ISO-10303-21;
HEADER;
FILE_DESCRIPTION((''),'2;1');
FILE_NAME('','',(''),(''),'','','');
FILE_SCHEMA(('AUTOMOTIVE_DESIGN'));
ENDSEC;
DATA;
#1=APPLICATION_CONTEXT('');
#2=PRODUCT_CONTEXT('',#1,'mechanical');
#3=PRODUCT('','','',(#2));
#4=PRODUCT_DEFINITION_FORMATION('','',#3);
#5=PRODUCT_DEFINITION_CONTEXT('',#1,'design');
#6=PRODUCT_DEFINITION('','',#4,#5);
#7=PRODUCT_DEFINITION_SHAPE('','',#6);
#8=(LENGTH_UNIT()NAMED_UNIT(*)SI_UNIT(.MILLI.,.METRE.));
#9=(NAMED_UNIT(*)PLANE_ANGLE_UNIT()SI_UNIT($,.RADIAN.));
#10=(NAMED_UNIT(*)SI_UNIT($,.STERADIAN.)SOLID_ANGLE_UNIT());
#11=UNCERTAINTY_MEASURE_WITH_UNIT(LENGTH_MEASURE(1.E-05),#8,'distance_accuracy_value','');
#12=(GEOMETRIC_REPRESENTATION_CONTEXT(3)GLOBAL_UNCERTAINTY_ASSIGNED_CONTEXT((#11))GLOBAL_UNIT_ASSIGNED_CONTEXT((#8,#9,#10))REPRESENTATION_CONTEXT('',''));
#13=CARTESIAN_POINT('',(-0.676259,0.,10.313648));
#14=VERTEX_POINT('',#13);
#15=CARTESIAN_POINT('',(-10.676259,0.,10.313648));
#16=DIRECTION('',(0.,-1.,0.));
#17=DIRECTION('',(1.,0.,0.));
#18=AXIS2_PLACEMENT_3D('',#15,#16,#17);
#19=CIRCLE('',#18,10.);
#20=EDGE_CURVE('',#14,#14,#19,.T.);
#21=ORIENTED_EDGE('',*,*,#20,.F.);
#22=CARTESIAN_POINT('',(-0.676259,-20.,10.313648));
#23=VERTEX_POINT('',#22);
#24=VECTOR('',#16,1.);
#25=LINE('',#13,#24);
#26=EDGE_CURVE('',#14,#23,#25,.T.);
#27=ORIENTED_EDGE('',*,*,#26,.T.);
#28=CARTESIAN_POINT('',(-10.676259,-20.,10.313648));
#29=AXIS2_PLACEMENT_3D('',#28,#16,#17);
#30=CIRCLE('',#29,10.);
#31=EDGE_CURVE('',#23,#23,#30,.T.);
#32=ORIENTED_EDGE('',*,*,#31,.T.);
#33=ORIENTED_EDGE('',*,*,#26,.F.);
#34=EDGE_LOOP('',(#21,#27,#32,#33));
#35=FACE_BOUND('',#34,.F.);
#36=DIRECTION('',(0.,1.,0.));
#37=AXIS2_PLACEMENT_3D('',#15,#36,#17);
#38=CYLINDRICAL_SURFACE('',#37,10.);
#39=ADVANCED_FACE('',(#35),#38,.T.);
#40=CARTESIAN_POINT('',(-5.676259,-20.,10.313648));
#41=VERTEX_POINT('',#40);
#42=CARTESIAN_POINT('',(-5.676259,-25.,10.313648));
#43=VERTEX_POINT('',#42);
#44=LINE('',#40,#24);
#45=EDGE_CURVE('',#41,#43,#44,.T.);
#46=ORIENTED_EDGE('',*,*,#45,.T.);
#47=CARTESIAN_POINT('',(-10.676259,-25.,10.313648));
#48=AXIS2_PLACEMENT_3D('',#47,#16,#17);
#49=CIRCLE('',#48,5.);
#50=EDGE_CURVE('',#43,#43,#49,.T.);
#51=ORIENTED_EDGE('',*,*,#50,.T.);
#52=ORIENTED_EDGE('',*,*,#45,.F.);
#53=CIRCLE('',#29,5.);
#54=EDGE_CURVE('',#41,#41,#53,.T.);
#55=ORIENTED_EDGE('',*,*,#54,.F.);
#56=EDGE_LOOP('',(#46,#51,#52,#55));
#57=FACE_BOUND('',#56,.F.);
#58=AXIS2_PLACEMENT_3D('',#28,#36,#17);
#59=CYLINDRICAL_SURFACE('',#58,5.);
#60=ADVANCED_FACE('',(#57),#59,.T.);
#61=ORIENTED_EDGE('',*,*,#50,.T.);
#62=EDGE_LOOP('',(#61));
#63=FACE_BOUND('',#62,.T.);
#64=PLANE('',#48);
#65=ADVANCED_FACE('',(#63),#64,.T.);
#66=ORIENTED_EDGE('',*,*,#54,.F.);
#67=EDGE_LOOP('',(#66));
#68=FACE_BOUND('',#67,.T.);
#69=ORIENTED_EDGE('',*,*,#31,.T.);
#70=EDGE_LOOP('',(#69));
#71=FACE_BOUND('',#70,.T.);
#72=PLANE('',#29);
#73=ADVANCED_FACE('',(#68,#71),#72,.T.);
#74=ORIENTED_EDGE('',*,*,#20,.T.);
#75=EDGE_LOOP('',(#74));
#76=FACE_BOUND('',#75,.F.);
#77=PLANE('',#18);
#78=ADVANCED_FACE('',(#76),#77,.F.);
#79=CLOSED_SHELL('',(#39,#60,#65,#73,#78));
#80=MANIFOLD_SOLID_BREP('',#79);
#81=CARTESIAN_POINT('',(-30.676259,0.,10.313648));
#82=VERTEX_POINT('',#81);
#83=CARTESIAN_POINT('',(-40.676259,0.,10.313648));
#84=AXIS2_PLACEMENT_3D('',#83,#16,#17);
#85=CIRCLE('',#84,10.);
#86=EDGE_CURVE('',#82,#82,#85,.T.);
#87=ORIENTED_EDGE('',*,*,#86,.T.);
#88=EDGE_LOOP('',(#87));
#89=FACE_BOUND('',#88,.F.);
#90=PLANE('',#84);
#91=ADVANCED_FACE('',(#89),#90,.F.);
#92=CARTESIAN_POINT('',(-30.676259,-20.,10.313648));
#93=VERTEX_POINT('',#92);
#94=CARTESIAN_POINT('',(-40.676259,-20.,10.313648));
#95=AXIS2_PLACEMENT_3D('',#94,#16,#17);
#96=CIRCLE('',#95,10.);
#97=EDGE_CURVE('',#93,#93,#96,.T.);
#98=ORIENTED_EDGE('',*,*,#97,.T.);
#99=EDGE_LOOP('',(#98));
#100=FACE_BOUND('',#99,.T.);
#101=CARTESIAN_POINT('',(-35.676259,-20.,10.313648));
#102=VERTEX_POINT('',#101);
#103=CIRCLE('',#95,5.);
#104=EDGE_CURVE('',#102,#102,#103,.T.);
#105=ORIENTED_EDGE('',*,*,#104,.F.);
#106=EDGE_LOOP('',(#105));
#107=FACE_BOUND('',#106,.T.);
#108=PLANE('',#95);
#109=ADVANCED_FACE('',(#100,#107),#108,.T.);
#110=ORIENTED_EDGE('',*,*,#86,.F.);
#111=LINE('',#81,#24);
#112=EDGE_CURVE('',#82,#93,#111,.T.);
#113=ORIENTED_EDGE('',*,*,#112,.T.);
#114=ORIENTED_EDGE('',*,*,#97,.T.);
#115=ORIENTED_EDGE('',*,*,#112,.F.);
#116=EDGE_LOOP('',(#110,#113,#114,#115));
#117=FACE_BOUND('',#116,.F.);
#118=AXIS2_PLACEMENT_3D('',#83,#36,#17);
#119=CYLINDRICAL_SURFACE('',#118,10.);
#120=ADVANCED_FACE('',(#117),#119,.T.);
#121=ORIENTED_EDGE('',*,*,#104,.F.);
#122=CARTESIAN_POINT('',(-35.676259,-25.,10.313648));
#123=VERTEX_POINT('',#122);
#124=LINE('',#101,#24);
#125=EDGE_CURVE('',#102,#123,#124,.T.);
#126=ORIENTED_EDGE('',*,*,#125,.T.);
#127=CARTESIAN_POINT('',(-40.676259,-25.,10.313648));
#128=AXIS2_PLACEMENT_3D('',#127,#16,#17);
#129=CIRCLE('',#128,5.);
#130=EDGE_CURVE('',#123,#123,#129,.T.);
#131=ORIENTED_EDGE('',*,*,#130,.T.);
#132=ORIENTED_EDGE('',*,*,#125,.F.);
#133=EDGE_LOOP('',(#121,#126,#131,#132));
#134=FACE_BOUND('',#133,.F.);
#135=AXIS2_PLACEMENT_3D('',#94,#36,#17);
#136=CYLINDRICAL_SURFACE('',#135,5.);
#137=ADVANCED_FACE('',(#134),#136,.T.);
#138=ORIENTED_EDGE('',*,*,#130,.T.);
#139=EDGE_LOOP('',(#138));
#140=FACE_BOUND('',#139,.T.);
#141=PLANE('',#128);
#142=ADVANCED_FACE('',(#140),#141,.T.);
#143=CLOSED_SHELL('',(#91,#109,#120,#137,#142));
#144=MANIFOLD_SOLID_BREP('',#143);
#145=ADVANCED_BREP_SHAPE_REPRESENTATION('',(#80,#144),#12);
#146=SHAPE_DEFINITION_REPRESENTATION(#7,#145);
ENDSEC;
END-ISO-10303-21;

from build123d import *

# Parameters (mm, degrees)
F0_R     = 10
F1_DEPTH = 20
F2_R     = 5
F3_DEPTH = 5
F4_R     = 5
F5_DEPTH = 5


with BuildPart() as f1:
    # F0 (on Front) → F1 (new body)
    with BuildSketch(Plane.XZ):
        with Locations((-40.676259, 10.313648)):
            Circle(F0_R)
        with Locations((-10.676259, 10.313648)):
            Circle(F0_R)
    extrude(amount=F1_DEPTH)

    # F2 (on face) → F3 (join)
    with BuildSketch(Plane.XZ.offset(20)):
        with Locations((-40.676259, 10.313648)):
            Circle(F2_R)
    extrude(amount=F3_DEPTH)

    # F4 (on face) → F5 (join)
    with BuildSketch(Plane.XZ.offset(20)):
        with Locations((-10.676259, 10.313648)):
            Circle(F4_R)
    extrude(amount=F5_DEPTH)


solid = f1.part
